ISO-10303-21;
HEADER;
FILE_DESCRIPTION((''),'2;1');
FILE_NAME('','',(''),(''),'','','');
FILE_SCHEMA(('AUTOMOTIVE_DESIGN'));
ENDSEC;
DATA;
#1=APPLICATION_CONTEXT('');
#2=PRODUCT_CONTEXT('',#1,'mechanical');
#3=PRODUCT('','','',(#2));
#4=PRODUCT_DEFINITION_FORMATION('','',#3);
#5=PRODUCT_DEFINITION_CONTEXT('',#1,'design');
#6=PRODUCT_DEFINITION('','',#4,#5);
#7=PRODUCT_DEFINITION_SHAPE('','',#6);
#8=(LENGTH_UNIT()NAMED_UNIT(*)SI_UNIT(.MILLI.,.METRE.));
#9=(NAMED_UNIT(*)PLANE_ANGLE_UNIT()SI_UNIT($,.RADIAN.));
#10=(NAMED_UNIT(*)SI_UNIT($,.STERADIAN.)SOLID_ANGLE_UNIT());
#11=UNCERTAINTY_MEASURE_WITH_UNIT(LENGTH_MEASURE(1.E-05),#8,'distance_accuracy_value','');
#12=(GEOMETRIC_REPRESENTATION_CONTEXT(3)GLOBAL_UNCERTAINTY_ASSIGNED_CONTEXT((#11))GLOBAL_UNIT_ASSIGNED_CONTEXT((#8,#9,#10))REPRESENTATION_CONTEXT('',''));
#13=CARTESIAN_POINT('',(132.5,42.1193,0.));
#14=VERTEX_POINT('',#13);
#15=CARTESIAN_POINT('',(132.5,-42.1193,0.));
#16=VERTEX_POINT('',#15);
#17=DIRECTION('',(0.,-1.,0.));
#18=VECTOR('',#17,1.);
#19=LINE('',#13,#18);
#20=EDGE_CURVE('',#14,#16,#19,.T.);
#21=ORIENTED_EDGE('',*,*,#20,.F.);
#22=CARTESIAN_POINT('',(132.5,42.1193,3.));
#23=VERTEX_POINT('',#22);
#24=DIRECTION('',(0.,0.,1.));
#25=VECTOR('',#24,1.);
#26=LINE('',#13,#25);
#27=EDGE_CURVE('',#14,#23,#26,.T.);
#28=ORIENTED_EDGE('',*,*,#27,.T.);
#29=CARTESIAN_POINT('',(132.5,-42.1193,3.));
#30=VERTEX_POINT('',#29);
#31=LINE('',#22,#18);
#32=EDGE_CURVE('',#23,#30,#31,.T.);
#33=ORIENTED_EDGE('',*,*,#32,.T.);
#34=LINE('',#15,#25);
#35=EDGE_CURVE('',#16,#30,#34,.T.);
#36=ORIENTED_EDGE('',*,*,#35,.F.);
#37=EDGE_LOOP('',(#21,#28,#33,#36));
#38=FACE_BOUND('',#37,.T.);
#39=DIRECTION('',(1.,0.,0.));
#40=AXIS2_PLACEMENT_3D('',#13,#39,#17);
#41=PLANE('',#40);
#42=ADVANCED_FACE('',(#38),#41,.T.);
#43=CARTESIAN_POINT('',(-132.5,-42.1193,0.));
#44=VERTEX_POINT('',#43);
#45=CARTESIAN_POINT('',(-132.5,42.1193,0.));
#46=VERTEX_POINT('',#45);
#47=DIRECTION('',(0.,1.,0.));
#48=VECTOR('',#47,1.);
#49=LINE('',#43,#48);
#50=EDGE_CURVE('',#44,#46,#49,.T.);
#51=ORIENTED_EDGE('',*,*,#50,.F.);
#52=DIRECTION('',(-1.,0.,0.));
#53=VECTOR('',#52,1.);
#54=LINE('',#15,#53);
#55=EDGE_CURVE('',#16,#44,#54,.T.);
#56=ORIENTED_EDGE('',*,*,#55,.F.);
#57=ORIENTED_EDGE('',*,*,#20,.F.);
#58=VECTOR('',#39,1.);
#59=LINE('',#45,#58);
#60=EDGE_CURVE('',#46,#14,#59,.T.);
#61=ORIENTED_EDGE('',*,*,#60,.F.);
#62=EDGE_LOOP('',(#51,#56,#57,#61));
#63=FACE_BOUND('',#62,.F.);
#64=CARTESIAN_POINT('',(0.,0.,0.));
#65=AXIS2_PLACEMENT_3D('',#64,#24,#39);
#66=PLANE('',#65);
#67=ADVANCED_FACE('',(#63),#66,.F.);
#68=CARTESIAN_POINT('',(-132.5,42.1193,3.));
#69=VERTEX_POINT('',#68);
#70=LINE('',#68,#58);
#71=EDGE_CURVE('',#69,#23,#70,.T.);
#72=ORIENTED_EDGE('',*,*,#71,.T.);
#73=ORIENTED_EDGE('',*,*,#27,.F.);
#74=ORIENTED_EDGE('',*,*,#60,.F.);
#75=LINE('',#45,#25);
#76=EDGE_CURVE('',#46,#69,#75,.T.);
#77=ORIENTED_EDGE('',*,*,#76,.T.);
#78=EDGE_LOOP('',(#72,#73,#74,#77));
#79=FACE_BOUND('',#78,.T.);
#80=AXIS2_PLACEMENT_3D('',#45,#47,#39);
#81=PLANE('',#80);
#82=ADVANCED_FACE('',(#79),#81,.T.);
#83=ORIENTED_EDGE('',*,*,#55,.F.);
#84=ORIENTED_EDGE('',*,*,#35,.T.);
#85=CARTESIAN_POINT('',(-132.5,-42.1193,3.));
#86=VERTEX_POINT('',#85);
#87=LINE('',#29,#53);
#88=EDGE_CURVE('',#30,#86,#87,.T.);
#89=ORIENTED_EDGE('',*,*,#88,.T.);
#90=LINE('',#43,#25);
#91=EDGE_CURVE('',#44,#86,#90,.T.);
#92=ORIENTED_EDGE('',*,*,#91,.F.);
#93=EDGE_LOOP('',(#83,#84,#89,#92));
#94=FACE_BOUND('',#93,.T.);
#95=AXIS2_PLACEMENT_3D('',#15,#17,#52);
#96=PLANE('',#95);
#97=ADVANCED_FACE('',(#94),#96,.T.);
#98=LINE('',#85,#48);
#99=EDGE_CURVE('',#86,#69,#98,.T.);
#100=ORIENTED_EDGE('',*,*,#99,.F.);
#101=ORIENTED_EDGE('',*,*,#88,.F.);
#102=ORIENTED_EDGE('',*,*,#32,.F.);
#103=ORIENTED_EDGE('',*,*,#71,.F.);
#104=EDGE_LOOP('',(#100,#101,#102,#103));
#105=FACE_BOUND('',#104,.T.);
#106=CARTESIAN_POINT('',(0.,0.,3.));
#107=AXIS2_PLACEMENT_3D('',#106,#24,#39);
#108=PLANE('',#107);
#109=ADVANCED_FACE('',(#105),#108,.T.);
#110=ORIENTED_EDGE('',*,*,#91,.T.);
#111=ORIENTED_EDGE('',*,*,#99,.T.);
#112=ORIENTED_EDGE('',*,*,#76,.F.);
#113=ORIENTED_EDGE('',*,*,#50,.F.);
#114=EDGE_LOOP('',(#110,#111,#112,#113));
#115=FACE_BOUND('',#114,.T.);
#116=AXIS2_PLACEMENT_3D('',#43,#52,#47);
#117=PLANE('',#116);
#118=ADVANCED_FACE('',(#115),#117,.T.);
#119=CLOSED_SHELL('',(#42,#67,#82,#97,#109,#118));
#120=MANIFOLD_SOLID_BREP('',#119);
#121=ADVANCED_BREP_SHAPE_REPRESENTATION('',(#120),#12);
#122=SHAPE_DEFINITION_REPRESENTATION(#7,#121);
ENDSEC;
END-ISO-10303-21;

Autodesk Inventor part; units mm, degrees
ref_plane "YZ Plane" through (0, 0, 0) normal (1, 0, 0) x (0, 1, 0)
ref_plane "XZ Plane" through (0, 0, 0) normal (0, 1, 0) x (-1, 0, 0)
ref_plane "XY Plane" through (0, 0, 0) normal (0, 0, 1) x (1, 0, 0)
sketch "草图1" plane through (0, 0, 0) normal (0, 0, 1) x (1, 0, 0)
  line L0 (132.5, -42.1193) -> (-132.5, -42.1193)
  line L1 (-132.5, -42.1193) -> (-132.5, 42.1193)
  line L2 (-132.5, 42.1193) -> (132.5, 42.1193)
  line L3 (132.5, 42.1193) -> (132.5, -42.1193)
  line L4 (132.5, -42.1193) -> (-132.5, 42.1193) construction
  line L5 (-132.5, -42.1193) -> (132.5, 42.1193) construction
  point P0 (0, 0)
  dimension "d5" = 265
extrude "拉伸1" add sketch "草图1" along normal blind 3
properties part number "挡板"
